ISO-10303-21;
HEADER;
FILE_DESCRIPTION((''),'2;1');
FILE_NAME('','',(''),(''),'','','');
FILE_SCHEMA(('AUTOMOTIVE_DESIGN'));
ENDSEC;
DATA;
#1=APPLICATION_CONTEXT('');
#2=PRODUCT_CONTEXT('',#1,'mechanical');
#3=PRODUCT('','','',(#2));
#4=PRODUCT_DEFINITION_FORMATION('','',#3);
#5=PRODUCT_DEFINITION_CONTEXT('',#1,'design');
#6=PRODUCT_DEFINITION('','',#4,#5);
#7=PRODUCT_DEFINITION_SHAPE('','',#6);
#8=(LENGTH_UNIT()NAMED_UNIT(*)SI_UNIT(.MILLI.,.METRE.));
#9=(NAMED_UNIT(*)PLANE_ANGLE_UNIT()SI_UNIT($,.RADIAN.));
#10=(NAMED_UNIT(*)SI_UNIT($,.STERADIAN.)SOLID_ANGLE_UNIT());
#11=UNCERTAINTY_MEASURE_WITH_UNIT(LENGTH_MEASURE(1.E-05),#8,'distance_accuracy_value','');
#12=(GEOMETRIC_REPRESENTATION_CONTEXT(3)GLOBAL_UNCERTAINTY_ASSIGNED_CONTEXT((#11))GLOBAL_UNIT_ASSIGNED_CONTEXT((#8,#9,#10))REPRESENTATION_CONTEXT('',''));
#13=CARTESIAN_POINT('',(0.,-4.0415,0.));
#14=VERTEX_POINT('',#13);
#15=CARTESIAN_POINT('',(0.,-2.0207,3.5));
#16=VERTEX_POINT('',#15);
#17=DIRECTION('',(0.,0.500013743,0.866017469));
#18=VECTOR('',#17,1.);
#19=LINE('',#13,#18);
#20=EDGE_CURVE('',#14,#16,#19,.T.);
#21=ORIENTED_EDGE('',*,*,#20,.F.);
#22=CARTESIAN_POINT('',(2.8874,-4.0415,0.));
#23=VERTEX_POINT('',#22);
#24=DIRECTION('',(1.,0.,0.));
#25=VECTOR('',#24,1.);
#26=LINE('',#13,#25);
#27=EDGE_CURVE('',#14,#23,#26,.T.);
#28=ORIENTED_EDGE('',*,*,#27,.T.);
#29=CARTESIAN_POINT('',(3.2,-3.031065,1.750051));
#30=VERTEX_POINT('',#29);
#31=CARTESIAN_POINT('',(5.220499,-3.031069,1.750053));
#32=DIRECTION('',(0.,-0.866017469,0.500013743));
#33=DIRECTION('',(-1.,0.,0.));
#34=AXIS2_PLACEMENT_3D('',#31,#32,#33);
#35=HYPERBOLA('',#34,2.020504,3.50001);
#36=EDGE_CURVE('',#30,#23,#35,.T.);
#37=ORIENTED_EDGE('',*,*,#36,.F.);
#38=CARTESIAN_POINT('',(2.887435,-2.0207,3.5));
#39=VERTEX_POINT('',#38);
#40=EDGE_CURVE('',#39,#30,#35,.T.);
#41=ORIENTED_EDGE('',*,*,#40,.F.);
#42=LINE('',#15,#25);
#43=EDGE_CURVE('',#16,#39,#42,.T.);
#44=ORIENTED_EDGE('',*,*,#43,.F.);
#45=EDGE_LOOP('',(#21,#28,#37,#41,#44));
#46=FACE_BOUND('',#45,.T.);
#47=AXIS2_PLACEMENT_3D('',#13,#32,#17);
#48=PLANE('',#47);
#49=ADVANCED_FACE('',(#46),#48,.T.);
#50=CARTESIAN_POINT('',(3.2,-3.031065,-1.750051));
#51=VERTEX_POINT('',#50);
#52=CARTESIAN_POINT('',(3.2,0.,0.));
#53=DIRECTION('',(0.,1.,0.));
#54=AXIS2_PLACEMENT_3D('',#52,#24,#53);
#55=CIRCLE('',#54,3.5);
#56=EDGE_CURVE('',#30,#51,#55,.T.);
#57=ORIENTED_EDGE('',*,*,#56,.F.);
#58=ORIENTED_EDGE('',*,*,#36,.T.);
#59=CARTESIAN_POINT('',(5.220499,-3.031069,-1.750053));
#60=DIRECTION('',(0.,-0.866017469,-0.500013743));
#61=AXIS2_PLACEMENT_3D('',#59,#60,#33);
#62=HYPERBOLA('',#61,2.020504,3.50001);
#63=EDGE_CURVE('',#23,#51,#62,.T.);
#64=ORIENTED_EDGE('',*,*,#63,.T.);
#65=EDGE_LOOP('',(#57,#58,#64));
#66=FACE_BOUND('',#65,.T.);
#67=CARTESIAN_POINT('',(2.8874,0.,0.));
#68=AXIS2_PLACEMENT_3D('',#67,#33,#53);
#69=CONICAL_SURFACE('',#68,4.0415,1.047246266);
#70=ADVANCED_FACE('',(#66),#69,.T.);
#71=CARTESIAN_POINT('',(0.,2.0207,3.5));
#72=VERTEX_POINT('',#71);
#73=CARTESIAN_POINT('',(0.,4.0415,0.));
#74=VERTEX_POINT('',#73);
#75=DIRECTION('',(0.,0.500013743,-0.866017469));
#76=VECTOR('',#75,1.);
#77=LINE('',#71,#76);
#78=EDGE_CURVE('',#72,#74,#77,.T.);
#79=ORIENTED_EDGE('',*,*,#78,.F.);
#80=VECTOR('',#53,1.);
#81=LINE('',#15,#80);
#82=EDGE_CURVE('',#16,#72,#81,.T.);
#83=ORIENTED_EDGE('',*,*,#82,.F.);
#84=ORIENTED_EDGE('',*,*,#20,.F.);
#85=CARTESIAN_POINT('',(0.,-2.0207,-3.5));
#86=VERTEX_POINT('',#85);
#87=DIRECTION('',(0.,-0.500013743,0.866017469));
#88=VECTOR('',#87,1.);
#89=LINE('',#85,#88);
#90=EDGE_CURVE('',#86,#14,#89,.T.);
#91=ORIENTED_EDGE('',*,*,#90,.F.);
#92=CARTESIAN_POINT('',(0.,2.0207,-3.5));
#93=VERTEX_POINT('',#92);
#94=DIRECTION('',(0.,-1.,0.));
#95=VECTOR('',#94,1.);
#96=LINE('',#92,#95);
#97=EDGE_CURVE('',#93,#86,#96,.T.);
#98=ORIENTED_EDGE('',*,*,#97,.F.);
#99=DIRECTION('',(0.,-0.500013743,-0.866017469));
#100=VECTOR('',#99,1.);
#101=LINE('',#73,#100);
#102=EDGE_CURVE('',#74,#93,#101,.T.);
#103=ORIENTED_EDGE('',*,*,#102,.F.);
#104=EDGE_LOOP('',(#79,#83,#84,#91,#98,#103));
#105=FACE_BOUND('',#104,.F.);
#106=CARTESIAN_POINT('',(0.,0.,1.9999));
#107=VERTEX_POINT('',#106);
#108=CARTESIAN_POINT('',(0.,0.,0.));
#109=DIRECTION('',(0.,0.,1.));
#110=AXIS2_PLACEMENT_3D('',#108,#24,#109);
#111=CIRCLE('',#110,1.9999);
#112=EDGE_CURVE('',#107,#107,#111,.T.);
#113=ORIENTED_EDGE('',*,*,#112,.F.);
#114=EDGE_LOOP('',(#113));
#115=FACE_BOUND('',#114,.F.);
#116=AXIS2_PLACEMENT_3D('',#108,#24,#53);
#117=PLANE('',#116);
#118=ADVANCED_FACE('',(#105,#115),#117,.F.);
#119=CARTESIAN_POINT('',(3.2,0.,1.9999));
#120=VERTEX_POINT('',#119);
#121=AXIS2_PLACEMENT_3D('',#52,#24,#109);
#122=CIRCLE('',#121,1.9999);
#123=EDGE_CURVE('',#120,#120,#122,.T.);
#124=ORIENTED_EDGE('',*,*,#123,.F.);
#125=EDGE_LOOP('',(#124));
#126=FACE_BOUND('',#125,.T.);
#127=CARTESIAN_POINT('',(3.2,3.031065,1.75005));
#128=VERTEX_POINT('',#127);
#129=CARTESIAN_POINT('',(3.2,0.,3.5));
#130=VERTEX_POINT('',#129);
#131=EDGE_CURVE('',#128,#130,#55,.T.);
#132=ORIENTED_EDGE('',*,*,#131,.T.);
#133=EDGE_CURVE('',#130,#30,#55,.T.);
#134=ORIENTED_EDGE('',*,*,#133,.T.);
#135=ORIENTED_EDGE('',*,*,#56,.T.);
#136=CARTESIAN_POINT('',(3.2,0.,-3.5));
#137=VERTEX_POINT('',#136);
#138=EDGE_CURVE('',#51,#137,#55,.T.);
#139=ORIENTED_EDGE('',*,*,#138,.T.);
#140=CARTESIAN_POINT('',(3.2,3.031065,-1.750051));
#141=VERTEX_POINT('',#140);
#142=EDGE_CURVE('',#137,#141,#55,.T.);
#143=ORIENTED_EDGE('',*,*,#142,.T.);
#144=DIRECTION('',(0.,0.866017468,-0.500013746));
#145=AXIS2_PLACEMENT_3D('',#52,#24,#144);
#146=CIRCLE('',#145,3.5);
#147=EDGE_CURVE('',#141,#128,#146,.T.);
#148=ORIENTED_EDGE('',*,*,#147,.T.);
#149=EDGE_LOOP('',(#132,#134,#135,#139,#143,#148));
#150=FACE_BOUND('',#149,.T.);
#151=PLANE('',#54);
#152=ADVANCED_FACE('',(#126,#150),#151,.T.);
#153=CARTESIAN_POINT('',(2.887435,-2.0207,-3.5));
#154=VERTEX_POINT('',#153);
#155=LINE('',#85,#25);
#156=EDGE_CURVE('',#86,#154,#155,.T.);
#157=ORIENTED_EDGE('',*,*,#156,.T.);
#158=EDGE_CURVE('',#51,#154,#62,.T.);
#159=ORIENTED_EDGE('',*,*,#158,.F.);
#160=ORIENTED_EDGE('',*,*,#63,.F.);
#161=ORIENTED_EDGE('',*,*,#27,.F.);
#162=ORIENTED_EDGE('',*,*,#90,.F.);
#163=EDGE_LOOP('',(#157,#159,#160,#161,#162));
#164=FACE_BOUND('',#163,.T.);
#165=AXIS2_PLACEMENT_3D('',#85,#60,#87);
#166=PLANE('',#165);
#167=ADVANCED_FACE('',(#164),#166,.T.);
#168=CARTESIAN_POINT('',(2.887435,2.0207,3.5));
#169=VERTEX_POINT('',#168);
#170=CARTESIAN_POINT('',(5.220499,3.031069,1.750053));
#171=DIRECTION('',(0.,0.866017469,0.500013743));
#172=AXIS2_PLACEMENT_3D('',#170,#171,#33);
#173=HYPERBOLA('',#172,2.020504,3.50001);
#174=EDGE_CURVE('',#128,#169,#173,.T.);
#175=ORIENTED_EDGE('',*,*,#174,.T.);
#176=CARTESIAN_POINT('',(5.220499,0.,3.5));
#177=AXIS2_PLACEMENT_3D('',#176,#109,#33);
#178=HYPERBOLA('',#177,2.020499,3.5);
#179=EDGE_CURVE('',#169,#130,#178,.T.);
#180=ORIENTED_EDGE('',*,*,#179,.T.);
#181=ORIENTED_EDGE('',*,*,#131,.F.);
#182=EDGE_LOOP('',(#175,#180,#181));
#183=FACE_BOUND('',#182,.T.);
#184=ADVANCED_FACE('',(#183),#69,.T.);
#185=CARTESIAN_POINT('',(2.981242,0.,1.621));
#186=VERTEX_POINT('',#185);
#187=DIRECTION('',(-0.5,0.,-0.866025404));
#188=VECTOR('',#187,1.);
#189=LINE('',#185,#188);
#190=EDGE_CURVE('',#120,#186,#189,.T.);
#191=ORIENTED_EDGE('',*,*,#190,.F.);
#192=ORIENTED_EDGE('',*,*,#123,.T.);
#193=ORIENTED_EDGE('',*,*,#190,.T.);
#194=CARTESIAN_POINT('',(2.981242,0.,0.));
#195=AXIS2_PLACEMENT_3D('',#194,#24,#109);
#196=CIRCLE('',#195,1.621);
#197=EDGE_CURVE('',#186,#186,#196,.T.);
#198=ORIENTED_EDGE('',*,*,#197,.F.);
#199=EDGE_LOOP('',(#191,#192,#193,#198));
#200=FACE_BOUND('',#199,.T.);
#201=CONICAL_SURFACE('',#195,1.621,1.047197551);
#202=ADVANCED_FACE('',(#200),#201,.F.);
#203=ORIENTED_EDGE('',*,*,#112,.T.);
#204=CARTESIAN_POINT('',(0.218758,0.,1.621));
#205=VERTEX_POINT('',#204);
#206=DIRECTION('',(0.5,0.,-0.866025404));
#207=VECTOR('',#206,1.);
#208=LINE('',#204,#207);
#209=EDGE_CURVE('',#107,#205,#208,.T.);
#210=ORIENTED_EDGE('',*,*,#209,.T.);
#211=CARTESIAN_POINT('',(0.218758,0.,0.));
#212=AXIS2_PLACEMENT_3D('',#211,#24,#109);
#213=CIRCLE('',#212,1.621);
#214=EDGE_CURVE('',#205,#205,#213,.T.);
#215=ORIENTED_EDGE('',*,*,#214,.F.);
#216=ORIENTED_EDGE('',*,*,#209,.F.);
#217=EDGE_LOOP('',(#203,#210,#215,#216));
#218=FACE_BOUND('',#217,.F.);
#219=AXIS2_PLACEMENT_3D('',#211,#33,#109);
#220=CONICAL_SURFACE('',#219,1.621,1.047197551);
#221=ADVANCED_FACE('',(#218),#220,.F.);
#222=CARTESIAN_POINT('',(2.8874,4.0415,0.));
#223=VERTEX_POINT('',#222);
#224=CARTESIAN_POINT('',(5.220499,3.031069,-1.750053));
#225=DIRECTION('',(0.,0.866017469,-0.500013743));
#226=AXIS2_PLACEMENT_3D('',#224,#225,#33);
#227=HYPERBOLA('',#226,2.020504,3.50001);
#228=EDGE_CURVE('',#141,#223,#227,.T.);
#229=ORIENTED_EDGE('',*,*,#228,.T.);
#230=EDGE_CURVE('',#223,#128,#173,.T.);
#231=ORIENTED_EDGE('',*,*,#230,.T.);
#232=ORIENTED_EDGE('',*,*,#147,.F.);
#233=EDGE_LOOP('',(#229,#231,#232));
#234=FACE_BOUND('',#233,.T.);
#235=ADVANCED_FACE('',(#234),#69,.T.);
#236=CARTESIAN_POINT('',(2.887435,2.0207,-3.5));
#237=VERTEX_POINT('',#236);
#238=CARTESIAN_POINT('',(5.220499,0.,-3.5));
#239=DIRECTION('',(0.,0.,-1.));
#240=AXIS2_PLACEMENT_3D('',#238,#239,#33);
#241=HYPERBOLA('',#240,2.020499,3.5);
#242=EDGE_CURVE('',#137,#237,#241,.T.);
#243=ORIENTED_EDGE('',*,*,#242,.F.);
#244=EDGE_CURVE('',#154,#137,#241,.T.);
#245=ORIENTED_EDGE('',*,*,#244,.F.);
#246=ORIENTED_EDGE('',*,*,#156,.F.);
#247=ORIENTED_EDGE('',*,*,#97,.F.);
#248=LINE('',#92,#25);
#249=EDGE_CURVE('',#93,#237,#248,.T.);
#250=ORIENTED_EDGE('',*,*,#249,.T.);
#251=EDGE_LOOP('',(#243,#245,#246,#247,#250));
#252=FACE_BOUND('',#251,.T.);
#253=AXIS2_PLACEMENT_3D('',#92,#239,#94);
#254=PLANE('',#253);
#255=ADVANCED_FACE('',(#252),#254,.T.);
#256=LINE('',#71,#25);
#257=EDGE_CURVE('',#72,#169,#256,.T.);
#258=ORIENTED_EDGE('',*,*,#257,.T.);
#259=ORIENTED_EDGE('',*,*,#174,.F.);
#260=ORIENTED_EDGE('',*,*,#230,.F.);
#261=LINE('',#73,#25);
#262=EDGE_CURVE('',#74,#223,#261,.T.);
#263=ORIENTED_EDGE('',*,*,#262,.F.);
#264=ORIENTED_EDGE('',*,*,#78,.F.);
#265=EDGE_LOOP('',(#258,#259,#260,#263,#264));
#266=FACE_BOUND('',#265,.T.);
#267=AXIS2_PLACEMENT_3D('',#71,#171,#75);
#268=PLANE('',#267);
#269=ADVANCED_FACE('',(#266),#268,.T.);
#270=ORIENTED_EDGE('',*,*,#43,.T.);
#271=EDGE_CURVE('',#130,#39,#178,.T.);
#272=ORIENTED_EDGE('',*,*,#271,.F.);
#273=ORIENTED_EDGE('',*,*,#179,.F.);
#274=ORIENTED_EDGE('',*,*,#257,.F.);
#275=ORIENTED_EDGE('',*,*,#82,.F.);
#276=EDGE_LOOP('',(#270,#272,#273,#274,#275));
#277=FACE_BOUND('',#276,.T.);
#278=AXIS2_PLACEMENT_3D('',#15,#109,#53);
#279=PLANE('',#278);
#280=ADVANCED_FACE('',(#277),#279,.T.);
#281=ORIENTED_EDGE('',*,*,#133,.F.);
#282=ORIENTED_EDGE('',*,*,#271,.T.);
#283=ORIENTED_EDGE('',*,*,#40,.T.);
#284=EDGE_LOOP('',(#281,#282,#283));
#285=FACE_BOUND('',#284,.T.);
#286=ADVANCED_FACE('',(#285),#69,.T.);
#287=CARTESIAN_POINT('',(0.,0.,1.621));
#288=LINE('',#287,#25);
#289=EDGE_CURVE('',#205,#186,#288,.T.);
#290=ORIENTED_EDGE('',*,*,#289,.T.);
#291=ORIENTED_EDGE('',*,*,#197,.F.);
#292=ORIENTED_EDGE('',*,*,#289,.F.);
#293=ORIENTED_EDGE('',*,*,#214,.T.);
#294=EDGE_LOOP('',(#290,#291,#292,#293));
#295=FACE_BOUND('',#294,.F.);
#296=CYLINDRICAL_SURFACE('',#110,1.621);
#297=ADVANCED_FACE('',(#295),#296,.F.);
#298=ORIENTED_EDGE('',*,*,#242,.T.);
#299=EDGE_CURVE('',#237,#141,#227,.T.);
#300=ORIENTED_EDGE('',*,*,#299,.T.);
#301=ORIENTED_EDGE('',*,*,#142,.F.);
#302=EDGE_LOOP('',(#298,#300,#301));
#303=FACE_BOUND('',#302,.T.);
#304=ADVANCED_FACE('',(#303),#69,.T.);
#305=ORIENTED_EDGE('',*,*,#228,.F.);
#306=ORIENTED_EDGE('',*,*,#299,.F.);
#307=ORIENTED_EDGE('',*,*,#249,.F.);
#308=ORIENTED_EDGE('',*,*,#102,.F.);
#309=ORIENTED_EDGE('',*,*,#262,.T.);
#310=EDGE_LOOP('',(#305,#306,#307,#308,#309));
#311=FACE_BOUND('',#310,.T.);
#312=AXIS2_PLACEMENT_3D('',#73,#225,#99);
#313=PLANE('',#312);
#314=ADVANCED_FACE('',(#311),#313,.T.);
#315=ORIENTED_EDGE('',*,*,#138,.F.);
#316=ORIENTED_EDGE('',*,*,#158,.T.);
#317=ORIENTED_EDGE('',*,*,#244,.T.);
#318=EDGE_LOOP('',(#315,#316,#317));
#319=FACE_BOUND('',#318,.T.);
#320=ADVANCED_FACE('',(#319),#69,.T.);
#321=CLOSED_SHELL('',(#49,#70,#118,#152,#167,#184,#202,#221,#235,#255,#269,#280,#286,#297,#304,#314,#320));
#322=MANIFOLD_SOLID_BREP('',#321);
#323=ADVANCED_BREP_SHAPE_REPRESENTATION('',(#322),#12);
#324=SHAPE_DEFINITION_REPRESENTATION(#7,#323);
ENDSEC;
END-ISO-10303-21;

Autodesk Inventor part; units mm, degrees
ref_plane "YZ Plane" through (0, 0, 0) normal (1, 0, 0) x (0, 1, 0)
ref_plane "XZ Plane" through (0, 0, 0) normal (0, 1, 0) x (-1, 0, 0)
sketch "Sketch1" plane through (0, 0, 0) normal (1, 0, 0) x (0, 1, 0)
  line L0 (4.0415, 0) -> (2.0207, -3.5)
  line L1 (2.0207, -3.5) -> (-2.0207, -3.5)
  line L2 (-2.0207, -3.5) -> (-4.0415, 0)
  line L3 (-4.0415, 0) -> (-2.0207, 3.5)
  line L4 (-2.0207, 3.5) -> (2.0207, 3.5)
  line L5 (2.0207, 3.5) -> (4.0415, 0)
  point P0 (0, 0)
  point P1 (0, 0)
  dimension "d0" = 8.0829
extrude "Body" add sketch "Sketch1" along normal blind 3.2
sketch "Sketch2" plane through (0, 0, 0) normal (-1, 0, 0) x (0, 0, 1)
  point P0 (0, 0)
hole "Thread" at (0, 0, 0) direction (1, 0, 0) diameter 3.242 end through all thread size "M4x0.7" class "6H" standard "ISO Metric profile"
chamfer "Chamfer1" distance 0.3789 angle 30 1 edges at (0, 0, -1.621) measured on face at (0, 2.4654, 1.4736)
chamfer "Chamfer2" distance 0.3789 angle 30 1 edges at (3.2, 0, -1.621) measured on face at (3.2, 2.4654, 1.4736)
sketch "Sketch3" plane through (0, 0, 0) normal (0, 0, 1) x (1, 0, 0)
  line L0 (0, 4.0415) -> (3.2, 4.0415) projected
  line L1 (3.2, 2.0207) -> (3.2, 4.0415) projected
  line L2 (-0.64, 0) -> (3.84, 0) projected
  line L3 (2.8874, 4.0415) -> (3.2, 3.5)
  dimension "d3" = 7
  dimension "d4" = 30
revolve "Chamfer3" cut sketch "Sketch3" angle 360 about axis through (-10, 0, 0) along (1, 0, 0)
ref_plane "Work Plane1" through (11.1612, 0, 0) normal (0, 0.866, -0.5) x (-1, 0, 0)
equation "\"d0\" = 1.1547 * SW"
equation "\"d1\" = KOH"
equation "\"d13\" = -0.5 * GD1 + 0.5 * NND"
equation "\"d21\" = -0.5 * GD1 + 0.5 * NND"
equation "\"d15\" = -0.5 * GD1 + 0.5 * NND"
equation "\"d22\" = -0.5 * GD1 + 0.5 * NND"
equation "\"d3\" = SW01"
equation "\"d4\" = ANG2"
equation "\"ANG2\" = 30deg"
equation "\"NND\" = 4"
equation "\"KOH\" = 3.2"
equation "\"SW\" = 7"
equation "\"SW01\" = SW"
equation "\"GUL\" = 0.541266 * PTC"
equation "\"TOA\" = 30deg"
equation "\"PTC\" = 0.7"
equation "\"E0\" = 1.155 * SW"
equation "\"THREADDIA\" = 4"
equation "\"GAL\" = 0.541266 * PTC"
equation "\"GD1\" = 3.242228"
properties part number "JIS B 1181 - HN - class 1 - Finished - M4" material "Steel, Mild"
